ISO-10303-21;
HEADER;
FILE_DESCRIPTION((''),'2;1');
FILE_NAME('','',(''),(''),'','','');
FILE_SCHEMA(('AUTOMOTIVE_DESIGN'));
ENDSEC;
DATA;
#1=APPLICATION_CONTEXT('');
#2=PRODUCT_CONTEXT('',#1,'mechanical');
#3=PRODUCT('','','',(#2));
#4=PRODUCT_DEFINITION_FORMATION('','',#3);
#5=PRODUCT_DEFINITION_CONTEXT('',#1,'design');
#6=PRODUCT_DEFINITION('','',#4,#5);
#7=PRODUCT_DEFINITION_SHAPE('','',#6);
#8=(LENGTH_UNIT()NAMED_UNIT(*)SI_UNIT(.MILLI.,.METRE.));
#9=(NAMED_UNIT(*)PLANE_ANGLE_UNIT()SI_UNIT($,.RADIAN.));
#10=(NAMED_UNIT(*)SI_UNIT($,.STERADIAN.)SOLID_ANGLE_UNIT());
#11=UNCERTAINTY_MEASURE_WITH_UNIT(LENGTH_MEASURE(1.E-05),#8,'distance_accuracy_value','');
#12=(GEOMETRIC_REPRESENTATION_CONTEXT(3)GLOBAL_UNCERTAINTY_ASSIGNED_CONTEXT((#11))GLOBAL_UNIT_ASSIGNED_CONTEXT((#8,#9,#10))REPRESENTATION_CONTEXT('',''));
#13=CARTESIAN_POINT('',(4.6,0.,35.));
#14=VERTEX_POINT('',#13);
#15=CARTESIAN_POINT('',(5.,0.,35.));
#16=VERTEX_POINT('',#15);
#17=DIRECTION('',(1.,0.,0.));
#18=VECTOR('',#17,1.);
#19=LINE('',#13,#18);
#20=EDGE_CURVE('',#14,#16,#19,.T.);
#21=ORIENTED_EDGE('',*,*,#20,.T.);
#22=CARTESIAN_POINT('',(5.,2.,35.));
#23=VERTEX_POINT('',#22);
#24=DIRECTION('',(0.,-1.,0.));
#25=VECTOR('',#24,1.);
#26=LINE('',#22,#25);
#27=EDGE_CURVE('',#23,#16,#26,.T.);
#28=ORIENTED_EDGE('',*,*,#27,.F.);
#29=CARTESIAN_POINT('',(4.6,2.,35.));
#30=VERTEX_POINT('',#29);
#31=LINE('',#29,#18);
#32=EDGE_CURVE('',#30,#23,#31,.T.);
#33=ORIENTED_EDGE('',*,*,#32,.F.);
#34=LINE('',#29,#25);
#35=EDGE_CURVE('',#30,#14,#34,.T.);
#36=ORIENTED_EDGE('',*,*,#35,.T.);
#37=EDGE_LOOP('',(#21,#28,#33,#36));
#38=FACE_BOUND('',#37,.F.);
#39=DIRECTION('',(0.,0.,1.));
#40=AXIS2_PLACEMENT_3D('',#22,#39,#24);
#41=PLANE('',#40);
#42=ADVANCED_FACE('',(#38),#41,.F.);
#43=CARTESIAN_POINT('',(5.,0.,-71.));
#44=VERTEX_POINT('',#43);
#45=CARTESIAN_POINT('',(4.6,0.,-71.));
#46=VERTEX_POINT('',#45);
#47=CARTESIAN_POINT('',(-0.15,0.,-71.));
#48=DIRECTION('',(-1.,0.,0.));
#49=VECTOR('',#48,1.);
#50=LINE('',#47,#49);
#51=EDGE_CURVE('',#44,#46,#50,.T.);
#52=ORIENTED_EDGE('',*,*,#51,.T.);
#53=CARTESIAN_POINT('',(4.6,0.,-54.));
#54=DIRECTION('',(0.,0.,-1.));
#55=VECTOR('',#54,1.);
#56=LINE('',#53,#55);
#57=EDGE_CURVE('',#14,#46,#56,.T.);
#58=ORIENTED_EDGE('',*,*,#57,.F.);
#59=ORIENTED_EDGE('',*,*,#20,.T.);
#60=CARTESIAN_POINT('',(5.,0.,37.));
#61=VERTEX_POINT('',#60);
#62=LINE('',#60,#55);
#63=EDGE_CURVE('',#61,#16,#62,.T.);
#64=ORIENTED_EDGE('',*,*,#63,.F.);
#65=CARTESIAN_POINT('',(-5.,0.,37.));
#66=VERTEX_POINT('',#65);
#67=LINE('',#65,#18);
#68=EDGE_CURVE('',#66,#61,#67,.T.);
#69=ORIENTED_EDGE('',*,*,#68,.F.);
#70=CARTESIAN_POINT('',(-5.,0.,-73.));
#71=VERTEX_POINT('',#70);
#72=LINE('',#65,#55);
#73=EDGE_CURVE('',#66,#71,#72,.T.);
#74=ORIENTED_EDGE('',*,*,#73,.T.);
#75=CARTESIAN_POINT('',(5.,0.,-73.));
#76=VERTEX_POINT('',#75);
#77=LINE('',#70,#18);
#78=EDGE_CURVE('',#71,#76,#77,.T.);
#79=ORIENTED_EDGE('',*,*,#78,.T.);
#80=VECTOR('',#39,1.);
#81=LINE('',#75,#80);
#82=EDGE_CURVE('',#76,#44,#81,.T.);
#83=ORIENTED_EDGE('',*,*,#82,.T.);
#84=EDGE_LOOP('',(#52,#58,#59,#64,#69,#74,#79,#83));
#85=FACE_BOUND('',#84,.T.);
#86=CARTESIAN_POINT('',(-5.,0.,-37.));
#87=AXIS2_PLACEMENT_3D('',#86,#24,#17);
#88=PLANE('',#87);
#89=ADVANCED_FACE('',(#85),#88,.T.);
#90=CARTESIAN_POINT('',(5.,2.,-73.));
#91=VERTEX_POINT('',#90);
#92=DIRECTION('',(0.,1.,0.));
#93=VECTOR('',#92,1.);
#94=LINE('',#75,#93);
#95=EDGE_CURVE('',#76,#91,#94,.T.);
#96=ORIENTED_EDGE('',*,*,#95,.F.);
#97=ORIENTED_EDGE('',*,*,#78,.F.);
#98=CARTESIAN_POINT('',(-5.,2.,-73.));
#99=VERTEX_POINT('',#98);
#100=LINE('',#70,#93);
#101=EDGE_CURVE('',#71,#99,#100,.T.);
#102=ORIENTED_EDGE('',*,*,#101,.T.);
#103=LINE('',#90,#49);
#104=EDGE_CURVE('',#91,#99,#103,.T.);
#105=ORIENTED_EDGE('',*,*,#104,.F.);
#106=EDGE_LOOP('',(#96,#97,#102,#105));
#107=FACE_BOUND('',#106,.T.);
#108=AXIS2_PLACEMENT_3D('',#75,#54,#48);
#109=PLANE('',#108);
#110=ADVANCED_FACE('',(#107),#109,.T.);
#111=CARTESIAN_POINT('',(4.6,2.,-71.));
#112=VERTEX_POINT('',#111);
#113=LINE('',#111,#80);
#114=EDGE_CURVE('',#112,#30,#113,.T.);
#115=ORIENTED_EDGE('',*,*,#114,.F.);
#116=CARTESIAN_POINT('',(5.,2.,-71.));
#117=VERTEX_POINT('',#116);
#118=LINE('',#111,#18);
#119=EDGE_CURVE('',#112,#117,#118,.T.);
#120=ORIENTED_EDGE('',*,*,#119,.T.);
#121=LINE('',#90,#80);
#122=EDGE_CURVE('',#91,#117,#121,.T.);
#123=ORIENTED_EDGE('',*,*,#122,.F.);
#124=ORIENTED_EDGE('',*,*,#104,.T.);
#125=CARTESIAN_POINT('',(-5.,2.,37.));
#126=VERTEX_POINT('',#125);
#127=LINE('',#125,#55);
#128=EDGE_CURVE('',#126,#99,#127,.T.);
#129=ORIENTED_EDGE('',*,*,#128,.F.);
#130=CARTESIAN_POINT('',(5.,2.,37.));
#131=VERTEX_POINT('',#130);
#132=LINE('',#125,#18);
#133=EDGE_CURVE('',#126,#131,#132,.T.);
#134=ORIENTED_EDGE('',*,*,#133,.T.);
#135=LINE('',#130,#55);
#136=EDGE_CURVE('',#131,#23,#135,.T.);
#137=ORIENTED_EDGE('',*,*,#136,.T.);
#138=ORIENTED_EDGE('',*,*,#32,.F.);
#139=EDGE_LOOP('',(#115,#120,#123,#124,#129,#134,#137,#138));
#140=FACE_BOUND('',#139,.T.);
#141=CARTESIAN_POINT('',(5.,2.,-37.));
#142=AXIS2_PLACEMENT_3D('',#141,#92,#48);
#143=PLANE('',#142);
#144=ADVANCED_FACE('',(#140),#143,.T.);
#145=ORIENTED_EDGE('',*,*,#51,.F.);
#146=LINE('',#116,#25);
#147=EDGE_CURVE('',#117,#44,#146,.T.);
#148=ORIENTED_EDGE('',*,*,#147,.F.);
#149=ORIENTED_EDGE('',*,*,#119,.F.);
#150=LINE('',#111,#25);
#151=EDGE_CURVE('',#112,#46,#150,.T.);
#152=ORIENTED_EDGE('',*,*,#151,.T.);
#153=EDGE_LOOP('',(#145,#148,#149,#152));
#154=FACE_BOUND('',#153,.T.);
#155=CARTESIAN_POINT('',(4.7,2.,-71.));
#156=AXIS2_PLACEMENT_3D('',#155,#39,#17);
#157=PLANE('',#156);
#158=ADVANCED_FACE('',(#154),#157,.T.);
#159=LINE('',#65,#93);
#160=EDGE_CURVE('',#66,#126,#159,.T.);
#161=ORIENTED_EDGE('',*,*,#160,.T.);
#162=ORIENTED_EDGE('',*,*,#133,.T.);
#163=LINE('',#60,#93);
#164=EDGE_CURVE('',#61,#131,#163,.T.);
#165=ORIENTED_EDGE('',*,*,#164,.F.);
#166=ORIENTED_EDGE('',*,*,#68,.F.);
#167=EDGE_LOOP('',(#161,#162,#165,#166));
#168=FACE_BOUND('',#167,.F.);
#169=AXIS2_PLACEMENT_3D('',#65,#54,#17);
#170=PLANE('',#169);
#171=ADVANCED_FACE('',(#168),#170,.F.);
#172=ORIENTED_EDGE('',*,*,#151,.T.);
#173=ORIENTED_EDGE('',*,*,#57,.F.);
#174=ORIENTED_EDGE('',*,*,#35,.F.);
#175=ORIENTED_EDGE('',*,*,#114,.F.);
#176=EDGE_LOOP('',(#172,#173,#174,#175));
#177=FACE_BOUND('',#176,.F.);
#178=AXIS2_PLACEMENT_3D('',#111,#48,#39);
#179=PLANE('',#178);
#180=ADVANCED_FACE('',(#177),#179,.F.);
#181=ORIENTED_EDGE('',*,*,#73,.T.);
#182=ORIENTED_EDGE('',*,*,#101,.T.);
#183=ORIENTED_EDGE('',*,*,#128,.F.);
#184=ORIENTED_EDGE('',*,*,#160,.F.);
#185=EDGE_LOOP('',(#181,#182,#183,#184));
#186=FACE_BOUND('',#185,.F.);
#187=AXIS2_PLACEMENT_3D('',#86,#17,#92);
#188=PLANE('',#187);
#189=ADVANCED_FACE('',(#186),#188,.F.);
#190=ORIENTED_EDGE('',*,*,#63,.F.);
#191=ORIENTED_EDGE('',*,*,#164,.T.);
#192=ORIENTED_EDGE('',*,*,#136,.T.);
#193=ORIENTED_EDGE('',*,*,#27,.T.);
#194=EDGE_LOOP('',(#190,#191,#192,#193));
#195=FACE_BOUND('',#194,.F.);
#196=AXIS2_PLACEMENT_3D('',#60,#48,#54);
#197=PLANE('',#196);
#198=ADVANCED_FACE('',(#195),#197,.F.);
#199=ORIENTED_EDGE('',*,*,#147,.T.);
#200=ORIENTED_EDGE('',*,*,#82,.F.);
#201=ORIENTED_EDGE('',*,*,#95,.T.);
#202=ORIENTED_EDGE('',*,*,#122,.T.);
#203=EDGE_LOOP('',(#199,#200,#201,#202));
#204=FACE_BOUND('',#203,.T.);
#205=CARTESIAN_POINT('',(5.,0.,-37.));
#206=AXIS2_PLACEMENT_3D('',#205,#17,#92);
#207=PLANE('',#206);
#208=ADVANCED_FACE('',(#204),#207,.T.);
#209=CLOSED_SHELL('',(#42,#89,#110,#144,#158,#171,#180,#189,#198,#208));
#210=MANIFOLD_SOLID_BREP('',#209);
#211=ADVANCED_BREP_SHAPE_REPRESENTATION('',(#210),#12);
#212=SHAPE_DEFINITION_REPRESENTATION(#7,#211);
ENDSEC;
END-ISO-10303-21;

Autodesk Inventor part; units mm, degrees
ref_plane "YZ Plane" through (0, 0, 0) normal (1, 0, 0) x (0, 1, 0)
ref_plane "XZ Plane" through (0, 0, 0) normal (0, 1, 0) x (-1, 0, 0)
ref_plane "XY Plane" through (0, 0, 0) normal (0, 0, 1) x (1, 0, 0)
sketch "Sketch1" plane through (0, 0, 0) normal (0, 1, 0) x (-1, 0, 0)
  line L0 (5, 37) -> (-5, 37)
  line L1 (-5, 37) -> (-5, -37)
  line L2 (-5, -37) -> (5, -37)
  line L3 (5, -37) -> (5, 37)
  point P0 (0, 0)
  dimension "d0" = 10
  dimension "d1" = 74
  dimension "d2" = 5
  dimension "d3" = 37
extrude "Extrusion1" add sketch "Sketch1" along normal blind 2
sketch "Sketch2" plane through (5, 0, 37) normal (1, 0, 0) x (0, 0, -1)
  line L0 (74, 2) -> (0, 2) projected
  line L1 (74, 0) -> (0, 0) projected
  line L2 (0, 2) -> (2, 2)
  line L3 (2, 2) -> (2, 0)
  line L4 (2, 0) -> (0, 0)
  line L5 (0, 0) -> (0, 2)
  line L6 (2, 0) -> (74, 0)
  line L7 (74, 0) -> (74, 2)
  line L8 (74, 2) -> (2, 2)
  line L9 (2, 2) -> (2, 0)
  line L10 (74, 0) -> (72, 0)
  line L11 (72, 0) -> (72, 2)
  line L12 (72, 2) -> (74, 2)
  line L13 (74, 2) -> (74, 0)
  point P0 (37, 0)
  point P1 (2, 2)
  dimension "d6" = 72
extrude "Extrusion2" cut sketch "Sketch2" against normal blind 0.3 contours L11 L1 L3 L0
sketch "Sketch3" plane through (5, 0, -37) normal (0, 0, -1) x (-1, 0, 0)
  line L0 (10, 0) -> (10, 2) projected
  line L1 (0, 0) -> (0, 2) projected
  line L2 (10, 0) -> (0, 0)
  line L3 (0, 0) -> (0, 2)
  line L4 (0, 2) -> (10, 2)
  line L5 (10, 2) -> (10, 0)
  point P0 (5, 0)
extrude "Extrusion3" add sketch "Sketch3" along normal blind 36
sketch "Sketch4" plane through (0, 2, 0) normal (0, 1, 0) x (1, 0, 0)
  line L0 (-5, 73) -> (5, 73) projected
  line L1 (4.7, -35) -> (4.7, 35) projected
  line L2 (5, 73) -> (4.7, 73)
  line L3 (4.7, 73) -> (4.7, 35)
  line L4 (4.7, 35) -> (5, 35)
  line L5 (5, 35) -> (5, 73)
  line L6 (5, 35) -> (5, 73) projected
  line L7 (5, 73) -> (4.7, 73)
  line L8 (4.7, 73) -> (4.7, 71)
  line L9 (4.7, 71) -> (5, 71)
  line L10 (5, 71) -> (5, 73)
  line L11 (4.7, 71) -> (4.6, 71)
  line L12 (4.6, 71) -> (4.6, -35)
  line L13 (4.6, -35) -> (4.7, -35)
  line L14 (4.7, -35) -> (4.7, 71)
  point P0 (0, 0)
  dimension "d11" = 0.1
extrude "Extrusion4" cut sketch "Sketch4" against normal blind 18.25 contours L9 L5 L4 L3 | L3 L1 L13 L12 L11
sketch "Sketch5" plane through (0, 2, 0) normal (0, 1, 0) x (1, 0, 0)
  point P0 (0, 0)
equation "\"d2\" = 0.5 * d0"
equation "\"d3\" = 0.5 * d1"
equation "\"BendRadius\" = Thickness"
equation "\"BendReliefWidth\" = Thickness"
equation "\"BendReliefDepth\" = 0.5 * Thickness"
equation "\"CornerReliefSize\" = 4 * Thickness"
equation "\"MinimumRemnant\" = 2 * Thickness"
equation "\"TransitionRadius\" = BendRadius"
equation "\"JacobiRadiusSize\" = BendRadius"
equation "\"GapSize\" = Thickness"
equation "\"Thickness\" = 0.5"
properties part number "modelGateCover"
